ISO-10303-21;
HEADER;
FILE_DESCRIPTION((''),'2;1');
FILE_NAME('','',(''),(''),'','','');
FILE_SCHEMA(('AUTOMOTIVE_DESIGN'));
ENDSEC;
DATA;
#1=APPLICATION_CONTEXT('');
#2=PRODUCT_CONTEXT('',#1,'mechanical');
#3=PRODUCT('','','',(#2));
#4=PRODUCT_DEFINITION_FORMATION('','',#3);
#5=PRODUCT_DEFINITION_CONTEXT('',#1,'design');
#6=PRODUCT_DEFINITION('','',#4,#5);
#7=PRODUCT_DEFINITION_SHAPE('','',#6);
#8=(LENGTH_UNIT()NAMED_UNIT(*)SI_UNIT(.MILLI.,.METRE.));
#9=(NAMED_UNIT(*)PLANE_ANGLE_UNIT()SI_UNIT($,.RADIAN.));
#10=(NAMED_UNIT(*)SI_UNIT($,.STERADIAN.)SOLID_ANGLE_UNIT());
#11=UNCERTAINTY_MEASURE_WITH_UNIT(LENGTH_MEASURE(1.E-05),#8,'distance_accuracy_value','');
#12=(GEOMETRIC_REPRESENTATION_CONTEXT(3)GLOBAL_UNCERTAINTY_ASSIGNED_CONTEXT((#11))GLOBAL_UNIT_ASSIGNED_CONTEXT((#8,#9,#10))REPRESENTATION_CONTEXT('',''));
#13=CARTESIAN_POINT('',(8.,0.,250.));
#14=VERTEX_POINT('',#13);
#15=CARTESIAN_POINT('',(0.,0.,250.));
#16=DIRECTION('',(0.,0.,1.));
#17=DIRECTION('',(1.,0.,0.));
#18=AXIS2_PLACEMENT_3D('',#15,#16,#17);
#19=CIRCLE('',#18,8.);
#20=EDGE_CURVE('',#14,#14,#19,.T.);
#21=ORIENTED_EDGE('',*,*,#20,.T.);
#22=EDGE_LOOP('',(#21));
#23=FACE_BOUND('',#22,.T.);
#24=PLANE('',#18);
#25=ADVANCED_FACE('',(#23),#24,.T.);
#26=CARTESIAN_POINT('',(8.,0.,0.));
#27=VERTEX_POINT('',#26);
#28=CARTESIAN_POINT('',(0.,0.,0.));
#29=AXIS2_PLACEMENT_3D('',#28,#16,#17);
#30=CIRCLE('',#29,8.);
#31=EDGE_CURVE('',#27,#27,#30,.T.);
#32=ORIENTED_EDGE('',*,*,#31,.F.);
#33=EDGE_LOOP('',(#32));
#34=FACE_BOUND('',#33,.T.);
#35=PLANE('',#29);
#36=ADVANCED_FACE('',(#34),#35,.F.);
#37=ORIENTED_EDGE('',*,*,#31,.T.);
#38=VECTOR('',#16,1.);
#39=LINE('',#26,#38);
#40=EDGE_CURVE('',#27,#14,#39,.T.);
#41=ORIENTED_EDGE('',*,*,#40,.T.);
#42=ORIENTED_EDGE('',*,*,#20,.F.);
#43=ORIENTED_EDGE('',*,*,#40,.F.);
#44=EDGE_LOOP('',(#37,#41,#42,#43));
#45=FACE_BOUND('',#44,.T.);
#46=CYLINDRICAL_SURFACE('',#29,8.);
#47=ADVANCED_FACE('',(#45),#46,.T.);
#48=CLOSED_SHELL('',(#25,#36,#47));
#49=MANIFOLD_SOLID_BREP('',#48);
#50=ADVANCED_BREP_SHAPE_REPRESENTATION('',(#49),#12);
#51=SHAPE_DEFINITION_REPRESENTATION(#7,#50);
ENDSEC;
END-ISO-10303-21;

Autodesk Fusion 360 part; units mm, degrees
cylinder "CylinderPrimitive2" add diameter 16 height 250 placed x (1, 0, 0) y (0, 1, 0) z (0, 0, 1) at (0, 0, 0)
